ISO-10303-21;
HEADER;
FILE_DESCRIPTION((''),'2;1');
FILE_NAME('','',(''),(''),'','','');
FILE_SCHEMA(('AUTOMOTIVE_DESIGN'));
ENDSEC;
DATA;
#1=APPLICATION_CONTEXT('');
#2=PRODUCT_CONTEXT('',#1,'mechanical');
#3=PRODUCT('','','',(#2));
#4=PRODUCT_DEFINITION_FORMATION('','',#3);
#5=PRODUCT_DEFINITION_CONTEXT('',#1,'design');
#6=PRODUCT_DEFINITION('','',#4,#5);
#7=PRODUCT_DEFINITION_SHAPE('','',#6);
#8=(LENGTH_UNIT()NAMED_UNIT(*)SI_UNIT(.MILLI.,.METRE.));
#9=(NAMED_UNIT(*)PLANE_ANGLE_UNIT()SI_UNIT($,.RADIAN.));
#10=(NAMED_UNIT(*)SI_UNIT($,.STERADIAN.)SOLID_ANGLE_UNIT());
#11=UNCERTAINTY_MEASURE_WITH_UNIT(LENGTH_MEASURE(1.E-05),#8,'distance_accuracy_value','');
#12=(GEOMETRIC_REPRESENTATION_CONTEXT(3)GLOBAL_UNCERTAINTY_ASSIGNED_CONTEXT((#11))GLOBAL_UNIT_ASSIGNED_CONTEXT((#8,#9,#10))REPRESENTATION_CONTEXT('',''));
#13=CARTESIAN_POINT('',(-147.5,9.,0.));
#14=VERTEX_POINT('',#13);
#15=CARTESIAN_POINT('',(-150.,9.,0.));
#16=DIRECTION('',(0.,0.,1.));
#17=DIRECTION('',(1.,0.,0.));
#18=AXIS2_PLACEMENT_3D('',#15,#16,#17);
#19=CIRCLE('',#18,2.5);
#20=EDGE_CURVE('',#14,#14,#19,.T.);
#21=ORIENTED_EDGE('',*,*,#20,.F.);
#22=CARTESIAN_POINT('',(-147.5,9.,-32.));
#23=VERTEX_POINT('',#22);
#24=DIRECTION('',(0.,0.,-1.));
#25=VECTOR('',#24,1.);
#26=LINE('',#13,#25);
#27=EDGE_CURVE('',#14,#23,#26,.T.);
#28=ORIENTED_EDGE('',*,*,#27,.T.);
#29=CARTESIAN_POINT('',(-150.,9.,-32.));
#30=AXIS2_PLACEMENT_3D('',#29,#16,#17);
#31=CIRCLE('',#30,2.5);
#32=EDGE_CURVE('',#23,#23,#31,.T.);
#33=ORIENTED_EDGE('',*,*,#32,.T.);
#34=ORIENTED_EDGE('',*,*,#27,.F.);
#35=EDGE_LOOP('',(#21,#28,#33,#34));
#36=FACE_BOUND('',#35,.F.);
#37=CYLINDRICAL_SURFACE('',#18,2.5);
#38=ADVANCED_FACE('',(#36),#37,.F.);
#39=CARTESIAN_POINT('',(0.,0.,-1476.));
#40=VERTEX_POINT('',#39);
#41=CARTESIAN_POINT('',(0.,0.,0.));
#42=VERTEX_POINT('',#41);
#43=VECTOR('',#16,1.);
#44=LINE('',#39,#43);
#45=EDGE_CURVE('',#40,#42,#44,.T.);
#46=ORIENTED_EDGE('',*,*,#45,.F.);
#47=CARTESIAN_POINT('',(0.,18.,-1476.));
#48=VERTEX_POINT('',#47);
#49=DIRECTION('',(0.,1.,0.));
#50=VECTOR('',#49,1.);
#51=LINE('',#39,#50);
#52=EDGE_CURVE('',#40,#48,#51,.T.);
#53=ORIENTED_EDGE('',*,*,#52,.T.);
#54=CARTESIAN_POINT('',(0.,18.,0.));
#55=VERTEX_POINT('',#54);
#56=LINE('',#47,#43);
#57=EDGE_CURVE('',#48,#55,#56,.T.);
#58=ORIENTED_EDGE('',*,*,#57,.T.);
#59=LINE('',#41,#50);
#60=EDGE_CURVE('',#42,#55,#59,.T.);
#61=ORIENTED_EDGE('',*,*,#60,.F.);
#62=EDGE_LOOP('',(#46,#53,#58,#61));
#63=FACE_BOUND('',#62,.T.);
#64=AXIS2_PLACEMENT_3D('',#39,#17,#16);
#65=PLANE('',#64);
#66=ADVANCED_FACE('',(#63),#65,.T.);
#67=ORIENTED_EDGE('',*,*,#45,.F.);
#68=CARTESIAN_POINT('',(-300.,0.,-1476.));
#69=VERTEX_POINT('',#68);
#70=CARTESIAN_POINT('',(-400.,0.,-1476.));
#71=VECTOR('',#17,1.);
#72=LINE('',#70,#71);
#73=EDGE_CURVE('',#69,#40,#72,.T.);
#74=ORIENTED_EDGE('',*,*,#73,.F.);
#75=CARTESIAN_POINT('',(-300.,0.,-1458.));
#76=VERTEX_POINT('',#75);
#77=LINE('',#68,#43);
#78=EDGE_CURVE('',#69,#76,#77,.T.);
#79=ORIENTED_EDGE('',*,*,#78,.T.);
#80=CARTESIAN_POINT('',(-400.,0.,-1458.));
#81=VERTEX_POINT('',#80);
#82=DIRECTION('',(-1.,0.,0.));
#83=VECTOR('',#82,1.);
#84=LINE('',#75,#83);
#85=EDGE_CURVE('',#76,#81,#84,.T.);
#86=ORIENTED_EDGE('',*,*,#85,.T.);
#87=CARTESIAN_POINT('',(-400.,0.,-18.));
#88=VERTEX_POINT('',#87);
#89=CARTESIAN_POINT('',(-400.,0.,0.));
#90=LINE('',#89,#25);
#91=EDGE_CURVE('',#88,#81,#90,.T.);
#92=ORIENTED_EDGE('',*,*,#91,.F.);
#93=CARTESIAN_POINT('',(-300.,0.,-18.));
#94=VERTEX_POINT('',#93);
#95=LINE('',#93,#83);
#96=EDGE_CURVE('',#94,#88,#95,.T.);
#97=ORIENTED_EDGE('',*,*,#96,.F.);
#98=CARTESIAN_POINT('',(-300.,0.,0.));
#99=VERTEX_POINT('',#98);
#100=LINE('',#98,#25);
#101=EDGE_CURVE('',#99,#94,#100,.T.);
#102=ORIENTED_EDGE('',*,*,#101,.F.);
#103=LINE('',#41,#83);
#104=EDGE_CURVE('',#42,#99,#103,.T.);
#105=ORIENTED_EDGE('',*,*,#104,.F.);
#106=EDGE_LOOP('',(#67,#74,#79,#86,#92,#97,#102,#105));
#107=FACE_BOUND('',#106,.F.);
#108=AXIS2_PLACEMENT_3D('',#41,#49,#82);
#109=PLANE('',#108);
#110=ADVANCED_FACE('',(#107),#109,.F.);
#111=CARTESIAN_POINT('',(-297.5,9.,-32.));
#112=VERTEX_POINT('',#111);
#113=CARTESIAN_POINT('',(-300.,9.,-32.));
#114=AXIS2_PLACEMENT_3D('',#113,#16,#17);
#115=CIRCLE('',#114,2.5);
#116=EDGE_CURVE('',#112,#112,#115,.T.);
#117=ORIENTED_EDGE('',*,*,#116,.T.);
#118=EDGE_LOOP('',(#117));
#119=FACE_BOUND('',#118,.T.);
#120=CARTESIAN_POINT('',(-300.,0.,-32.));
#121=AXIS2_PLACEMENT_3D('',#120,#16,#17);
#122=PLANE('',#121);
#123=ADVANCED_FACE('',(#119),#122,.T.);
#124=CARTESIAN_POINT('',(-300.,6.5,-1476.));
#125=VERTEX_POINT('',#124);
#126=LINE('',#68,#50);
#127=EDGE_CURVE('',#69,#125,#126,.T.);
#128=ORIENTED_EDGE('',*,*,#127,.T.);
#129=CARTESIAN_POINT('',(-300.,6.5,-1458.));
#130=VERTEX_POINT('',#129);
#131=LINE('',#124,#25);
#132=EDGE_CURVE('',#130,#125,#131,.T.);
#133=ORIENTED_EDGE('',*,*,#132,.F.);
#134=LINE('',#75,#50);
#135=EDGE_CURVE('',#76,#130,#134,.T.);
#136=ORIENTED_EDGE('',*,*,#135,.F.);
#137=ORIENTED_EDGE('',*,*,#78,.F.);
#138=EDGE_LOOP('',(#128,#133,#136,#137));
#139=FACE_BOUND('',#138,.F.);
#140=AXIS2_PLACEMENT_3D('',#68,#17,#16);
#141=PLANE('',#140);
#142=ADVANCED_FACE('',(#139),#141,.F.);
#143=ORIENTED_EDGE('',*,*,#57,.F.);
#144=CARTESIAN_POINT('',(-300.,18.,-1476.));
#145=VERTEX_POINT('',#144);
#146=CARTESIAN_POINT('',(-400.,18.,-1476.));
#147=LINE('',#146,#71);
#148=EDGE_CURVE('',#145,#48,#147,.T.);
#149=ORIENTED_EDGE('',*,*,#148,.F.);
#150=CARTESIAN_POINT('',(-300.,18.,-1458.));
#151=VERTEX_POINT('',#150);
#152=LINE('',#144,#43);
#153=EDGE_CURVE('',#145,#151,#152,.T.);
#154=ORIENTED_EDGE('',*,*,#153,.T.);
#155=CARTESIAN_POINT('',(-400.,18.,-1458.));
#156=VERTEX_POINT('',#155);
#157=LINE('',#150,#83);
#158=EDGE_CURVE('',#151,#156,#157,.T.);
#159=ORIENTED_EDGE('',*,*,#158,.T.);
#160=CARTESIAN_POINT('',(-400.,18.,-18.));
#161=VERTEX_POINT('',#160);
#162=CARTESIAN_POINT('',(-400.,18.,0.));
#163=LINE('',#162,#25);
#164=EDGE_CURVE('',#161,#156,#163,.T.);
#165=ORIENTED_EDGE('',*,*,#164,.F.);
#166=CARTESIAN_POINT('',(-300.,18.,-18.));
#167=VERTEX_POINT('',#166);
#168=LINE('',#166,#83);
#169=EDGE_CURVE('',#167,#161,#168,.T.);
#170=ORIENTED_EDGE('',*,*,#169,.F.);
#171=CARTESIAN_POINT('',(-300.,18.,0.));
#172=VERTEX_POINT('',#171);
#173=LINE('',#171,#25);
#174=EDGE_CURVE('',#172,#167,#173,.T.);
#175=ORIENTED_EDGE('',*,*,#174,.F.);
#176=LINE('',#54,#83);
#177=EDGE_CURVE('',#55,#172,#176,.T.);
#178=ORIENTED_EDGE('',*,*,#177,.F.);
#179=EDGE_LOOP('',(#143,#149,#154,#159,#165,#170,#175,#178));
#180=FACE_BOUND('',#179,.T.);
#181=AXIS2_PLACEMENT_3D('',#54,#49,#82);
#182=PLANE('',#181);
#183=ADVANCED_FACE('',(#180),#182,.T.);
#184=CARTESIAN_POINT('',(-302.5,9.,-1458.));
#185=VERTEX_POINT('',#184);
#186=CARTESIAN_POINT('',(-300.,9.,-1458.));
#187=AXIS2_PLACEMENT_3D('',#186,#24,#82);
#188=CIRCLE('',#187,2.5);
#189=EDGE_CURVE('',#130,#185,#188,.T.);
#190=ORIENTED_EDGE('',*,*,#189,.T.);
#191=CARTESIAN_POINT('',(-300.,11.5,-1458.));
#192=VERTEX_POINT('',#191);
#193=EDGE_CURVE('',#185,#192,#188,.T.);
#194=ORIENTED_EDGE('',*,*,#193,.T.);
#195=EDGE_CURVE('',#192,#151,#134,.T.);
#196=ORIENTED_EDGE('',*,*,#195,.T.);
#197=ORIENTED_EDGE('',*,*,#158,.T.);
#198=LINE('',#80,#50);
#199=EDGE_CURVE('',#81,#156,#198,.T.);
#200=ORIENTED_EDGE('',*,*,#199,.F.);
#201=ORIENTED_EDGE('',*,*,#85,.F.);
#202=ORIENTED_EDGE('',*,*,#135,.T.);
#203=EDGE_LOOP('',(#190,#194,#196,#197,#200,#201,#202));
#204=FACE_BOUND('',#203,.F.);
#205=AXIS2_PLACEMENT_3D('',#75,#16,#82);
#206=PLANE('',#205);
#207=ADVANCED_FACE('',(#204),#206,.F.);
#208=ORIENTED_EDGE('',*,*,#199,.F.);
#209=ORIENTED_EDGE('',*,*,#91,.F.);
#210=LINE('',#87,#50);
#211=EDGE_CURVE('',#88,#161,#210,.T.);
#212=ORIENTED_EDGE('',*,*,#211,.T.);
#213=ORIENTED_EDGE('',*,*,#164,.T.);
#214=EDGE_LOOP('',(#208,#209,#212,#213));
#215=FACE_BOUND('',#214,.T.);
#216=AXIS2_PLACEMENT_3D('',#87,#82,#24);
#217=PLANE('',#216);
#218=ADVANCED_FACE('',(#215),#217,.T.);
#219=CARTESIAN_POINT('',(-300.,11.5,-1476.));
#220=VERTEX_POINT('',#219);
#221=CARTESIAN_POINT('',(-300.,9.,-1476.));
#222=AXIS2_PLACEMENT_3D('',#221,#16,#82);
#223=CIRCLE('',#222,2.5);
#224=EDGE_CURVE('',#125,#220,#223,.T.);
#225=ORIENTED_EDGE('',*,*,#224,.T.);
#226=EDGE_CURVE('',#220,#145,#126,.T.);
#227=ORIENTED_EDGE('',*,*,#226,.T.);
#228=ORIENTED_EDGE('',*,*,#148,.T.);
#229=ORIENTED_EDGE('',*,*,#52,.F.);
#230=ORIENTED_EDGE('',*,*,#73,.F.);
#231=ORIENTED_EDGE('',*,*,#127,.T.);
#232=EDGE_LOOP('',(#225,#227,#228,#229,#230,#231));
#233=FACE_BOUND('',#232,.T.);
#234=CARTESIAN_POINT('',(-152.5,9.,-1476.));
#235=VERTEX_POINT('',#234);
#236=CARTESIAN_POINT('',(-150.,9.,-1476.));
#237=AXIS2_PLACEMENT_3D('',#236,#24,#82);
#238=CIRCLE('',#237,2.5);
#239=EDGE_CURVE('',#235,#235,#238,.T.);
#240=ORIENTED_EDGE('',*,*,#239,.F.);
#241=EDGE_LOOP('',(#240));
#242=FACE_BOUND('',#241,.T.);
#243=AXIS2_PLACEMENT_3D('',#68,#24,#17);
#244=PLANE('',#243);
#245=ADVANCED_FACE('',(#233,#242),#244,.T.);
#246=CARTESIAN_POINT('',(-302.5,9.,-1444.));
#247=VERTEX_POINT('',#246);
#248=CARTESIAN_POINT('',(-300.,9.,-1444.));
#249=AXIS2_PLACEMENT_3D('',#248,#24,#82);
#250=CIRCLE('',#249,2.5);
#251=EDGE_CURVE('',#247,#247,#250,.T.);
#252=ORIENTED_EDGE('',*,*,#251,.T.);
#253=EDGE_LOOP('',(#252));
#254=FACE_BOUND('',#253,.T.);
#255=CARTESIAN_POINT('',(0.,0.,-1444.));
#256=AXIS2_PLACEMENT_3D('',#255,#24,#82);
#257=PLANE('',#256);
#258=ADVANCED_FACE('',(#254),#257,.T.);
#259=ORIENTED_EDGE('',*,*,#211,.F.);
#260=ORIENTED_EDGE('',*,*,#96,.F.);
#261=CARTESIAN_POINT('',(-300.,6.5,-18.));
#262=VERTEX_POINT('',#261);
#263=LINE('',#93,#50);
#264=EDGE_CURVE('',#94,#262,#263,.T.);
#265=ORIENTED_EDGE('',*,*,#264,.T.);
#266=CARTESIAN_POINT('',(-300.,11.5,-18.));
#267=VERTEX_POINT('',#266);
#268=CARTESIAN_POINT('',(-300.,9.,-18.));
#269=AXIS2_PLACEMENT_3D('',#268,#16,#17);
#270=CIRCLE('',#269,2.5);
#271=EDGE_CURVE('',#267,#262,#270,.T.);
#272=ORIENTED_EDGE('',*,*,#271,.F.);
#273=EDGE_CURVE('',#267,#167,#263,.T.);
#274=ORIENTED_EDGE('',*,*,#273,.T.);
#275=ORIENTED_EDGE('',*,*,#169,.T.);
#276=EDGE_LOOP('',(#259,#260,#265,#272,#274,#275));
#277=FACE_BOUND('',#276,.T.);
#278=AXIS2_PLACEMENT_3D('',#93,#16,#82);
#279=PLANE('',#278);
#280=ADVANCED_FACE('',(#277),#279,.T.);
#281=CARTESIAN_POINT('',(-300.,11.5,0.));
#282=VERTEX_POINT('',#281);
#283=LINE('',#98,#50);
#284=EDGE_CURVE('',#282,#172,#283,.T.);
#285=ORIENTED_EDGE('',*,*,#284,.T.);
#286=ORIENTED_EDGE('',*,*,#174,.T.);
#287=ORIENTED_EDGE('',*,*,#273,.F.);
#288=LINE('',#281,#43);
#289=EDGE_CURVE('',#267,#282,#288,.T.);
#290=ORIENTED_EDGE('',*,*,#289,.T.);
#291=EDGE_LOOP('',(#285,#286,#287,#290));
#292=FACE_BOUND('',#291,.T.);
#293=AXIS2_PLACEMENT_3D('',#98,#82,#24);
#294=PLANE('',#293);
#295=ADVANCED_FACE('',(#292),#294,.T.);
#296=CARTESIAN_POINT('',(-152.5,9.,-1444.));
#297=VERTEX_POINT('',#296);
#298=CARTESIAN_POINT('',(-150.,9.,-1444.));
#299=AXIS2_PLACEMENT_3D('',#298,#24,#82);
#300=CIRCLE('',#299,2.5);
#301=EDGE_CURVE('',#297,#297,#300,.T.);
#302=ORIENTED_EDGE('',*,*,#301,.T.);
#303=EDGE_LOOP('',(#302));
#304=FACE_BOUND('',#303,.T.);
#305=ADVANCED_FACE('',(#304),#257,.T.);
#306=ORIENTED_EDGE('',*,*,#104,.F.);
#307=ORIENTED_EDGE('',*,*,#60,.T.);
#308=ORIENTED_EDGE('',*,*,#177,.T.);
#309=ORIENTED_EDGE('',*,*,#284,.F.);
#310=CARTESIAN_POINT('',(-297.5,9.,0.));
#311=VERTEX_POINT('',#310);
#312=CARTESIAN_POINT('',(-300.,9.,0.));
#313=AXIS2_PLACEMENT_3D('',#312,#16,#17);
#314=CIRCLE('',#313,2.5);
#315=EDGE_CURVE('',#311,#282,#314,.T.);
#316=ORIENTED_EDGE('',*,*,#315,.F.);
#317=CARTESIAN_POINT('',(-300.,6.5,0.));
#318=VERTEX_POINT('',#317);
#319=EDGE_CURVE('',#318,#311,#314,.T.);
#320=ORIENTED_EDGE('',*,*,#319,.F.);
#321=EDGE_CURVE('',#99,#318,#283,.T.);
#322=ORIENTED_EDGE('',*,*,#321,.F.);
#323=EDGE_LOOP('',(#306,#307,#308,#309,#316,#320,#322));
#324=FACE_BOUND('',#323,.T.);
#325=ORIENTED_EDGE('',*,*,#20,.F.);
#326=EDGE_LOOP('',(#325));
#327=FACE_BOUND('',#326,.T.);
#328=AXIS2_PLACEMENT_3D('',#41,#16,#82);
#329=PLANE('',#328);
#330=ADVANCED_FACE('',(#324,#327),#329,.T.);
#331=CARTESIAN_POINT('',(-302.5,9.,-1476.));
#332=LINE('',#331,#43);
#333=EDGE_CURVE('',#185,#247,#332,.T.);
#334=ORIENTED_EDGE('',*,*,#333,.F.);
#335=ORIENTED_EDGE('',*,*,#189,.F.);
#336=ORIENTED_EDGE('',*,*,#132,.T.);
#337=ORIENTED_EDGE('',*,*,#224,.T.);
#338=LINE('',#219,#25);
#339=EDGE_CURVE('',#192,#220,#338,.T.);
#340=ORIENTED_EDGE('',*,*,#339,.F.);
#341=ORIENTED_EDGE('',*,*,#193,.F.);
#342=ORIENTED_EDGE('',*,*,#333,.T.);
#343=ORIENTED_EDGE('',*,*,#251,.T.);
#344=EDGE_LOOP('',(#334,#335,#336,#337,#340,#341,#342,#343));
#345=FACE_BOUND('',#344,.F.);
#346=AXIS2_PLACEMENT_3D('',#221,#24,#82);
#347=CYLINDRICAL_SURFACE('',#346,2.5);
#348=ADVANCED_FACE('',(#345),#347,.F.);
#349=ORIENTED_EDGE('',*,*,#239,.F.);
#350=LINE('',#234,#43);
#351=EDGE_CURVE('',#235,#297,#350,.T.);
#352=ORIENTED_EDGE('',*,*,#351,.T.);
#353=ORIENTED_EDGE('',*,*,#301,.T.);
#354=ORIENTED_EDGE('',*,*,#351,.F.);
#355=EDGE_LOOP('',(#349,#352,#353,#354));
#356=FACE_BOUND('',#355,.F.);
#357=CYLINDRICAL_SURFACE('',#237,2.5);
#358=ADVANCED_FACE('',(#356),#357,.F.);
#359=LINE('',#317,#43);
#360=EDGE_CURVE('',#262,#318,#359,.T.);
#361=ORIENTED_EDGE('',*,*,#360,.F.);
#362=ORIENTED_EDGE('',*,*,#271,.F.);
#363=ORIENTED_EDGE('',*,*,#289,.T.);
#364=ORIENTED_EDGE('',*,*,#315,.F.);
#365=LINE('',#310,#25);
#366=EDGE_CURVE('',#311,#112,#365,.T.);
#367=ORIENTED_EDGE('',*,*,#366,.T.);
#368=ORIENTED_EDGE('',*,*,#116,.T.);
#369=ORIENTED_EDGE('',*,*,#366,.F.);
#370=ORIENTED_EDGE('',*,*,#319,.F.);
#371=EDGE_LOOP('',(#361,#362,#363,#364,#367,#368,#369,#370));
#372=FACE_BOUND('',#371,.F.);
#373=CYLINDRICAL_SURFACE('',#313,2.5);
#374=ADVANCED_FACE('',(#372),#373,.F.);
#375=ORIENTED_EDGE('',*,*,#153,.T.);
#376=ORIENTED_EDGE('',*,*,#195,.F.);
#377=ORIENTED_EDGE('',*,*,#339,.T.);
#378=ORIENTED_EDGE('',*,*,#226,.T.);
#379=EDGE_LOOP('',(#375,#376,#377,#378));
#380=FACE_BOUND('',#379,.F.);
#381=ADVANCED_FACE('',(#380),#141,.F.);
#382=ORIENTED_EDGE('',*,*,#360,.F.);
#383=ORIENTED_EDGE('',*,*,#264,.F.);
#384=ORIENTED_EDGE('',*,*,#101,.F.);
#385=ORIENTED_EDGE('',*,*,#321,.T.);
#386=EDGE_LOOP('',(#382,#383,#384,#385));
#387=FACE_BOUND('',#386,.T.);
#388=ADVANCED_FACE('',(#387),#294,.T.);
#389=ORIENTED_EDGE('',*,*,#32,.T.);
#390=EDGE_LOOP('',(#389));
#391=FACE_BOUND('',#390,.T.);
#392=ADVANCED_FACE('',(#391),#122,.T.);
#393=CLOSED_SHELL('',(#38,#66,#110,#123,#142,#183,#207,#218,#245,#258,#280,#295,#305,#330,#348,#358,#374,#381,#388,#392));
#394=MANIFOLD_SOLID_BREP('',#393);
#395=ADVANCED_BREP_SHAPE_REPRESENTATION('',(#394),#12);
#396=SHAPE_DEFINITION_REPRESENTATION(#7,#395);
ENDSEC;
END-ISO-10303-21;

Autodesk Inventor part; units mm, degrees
ref_plane "YZ Plane" through (0, 0, 0) normal (1, 0, 0) x (0, 1, 0)
ref_plane "XZ Plane" through (0, 0, 0) normal (0, 1, 0) x (-1, 0, 0)
ref_plane "XY Plane" through (0, 0, 0) normal (0, 0, 1) x (1, 0, 0)
sketch "Sketch1" plane through (0, 0, 0) normal (0, 1, 0) x (-1, 0, 0)
  line L0 (0, 0) -> (400, 0)
  line L1 (400, 0) -> (400, -1476)
  line L2 (400, -1476) -> (0, -1476)
  line L3 (0, -1476) -> (0, 0)
  line L4 (400, -1476) -> (418, -1476)
  line L5 (400, -1476) -> (300, -1476)
  line L6 (300, -1476) -> (300, -1458)
  line L7 (300, -1458) -> (400, -1458)
  line L8 (400, -1458) -> (400, -1476)
  line L9 (400, 0) -> (300, 0)
  line L10 (300, 0) -> (300, -18)
  line L11 (300, -18) -> (400, -18)
  line L12 (400, -18) -> (400, 0)
  dimension "d0" = 400
  dimension "d1" = 1476
  dimension "d4" = 100
  dimension "d5" = 18
  dimension "d6" = 100
  dimension "d7" = 18
extrude "Extrusion1" add sketch "Sketch1" along normal blind 18 contours L0 L10 L11 L1 L7 L6 L2 L3
sketch "Sketch2" plane through (-300, 0, 0) normal (0, 0, 1) x (1, 0, 0)
  circle A0 centre (150, 9) radius 2.5
  circle A1 centre (0, 9) radius 2.5
  point P0 (300, 0)
  dimension "d13" = 5
  dimension "d14" = 5
sketch "Sketch3" plane through (0, 0, -1476) normal (0, 0, -1) x (-1, 0, 0)
  line L0 (300, 0) -> (300, 18) projected
  circle A0 centre (150, 9) radius 2.5
  circle A1 centre (300, 9) radius 2.5
  dimension "d18" = 5
  dimension "d19" = 5
extrude "Extrusion2" cut sketch "Sketch3" against normal blind 32
extrude "Extrusion3" cut sketch "Sketch2" against normal blind 32
properties part number "basedraws" material "MDF Medium Density Fiberboard"
